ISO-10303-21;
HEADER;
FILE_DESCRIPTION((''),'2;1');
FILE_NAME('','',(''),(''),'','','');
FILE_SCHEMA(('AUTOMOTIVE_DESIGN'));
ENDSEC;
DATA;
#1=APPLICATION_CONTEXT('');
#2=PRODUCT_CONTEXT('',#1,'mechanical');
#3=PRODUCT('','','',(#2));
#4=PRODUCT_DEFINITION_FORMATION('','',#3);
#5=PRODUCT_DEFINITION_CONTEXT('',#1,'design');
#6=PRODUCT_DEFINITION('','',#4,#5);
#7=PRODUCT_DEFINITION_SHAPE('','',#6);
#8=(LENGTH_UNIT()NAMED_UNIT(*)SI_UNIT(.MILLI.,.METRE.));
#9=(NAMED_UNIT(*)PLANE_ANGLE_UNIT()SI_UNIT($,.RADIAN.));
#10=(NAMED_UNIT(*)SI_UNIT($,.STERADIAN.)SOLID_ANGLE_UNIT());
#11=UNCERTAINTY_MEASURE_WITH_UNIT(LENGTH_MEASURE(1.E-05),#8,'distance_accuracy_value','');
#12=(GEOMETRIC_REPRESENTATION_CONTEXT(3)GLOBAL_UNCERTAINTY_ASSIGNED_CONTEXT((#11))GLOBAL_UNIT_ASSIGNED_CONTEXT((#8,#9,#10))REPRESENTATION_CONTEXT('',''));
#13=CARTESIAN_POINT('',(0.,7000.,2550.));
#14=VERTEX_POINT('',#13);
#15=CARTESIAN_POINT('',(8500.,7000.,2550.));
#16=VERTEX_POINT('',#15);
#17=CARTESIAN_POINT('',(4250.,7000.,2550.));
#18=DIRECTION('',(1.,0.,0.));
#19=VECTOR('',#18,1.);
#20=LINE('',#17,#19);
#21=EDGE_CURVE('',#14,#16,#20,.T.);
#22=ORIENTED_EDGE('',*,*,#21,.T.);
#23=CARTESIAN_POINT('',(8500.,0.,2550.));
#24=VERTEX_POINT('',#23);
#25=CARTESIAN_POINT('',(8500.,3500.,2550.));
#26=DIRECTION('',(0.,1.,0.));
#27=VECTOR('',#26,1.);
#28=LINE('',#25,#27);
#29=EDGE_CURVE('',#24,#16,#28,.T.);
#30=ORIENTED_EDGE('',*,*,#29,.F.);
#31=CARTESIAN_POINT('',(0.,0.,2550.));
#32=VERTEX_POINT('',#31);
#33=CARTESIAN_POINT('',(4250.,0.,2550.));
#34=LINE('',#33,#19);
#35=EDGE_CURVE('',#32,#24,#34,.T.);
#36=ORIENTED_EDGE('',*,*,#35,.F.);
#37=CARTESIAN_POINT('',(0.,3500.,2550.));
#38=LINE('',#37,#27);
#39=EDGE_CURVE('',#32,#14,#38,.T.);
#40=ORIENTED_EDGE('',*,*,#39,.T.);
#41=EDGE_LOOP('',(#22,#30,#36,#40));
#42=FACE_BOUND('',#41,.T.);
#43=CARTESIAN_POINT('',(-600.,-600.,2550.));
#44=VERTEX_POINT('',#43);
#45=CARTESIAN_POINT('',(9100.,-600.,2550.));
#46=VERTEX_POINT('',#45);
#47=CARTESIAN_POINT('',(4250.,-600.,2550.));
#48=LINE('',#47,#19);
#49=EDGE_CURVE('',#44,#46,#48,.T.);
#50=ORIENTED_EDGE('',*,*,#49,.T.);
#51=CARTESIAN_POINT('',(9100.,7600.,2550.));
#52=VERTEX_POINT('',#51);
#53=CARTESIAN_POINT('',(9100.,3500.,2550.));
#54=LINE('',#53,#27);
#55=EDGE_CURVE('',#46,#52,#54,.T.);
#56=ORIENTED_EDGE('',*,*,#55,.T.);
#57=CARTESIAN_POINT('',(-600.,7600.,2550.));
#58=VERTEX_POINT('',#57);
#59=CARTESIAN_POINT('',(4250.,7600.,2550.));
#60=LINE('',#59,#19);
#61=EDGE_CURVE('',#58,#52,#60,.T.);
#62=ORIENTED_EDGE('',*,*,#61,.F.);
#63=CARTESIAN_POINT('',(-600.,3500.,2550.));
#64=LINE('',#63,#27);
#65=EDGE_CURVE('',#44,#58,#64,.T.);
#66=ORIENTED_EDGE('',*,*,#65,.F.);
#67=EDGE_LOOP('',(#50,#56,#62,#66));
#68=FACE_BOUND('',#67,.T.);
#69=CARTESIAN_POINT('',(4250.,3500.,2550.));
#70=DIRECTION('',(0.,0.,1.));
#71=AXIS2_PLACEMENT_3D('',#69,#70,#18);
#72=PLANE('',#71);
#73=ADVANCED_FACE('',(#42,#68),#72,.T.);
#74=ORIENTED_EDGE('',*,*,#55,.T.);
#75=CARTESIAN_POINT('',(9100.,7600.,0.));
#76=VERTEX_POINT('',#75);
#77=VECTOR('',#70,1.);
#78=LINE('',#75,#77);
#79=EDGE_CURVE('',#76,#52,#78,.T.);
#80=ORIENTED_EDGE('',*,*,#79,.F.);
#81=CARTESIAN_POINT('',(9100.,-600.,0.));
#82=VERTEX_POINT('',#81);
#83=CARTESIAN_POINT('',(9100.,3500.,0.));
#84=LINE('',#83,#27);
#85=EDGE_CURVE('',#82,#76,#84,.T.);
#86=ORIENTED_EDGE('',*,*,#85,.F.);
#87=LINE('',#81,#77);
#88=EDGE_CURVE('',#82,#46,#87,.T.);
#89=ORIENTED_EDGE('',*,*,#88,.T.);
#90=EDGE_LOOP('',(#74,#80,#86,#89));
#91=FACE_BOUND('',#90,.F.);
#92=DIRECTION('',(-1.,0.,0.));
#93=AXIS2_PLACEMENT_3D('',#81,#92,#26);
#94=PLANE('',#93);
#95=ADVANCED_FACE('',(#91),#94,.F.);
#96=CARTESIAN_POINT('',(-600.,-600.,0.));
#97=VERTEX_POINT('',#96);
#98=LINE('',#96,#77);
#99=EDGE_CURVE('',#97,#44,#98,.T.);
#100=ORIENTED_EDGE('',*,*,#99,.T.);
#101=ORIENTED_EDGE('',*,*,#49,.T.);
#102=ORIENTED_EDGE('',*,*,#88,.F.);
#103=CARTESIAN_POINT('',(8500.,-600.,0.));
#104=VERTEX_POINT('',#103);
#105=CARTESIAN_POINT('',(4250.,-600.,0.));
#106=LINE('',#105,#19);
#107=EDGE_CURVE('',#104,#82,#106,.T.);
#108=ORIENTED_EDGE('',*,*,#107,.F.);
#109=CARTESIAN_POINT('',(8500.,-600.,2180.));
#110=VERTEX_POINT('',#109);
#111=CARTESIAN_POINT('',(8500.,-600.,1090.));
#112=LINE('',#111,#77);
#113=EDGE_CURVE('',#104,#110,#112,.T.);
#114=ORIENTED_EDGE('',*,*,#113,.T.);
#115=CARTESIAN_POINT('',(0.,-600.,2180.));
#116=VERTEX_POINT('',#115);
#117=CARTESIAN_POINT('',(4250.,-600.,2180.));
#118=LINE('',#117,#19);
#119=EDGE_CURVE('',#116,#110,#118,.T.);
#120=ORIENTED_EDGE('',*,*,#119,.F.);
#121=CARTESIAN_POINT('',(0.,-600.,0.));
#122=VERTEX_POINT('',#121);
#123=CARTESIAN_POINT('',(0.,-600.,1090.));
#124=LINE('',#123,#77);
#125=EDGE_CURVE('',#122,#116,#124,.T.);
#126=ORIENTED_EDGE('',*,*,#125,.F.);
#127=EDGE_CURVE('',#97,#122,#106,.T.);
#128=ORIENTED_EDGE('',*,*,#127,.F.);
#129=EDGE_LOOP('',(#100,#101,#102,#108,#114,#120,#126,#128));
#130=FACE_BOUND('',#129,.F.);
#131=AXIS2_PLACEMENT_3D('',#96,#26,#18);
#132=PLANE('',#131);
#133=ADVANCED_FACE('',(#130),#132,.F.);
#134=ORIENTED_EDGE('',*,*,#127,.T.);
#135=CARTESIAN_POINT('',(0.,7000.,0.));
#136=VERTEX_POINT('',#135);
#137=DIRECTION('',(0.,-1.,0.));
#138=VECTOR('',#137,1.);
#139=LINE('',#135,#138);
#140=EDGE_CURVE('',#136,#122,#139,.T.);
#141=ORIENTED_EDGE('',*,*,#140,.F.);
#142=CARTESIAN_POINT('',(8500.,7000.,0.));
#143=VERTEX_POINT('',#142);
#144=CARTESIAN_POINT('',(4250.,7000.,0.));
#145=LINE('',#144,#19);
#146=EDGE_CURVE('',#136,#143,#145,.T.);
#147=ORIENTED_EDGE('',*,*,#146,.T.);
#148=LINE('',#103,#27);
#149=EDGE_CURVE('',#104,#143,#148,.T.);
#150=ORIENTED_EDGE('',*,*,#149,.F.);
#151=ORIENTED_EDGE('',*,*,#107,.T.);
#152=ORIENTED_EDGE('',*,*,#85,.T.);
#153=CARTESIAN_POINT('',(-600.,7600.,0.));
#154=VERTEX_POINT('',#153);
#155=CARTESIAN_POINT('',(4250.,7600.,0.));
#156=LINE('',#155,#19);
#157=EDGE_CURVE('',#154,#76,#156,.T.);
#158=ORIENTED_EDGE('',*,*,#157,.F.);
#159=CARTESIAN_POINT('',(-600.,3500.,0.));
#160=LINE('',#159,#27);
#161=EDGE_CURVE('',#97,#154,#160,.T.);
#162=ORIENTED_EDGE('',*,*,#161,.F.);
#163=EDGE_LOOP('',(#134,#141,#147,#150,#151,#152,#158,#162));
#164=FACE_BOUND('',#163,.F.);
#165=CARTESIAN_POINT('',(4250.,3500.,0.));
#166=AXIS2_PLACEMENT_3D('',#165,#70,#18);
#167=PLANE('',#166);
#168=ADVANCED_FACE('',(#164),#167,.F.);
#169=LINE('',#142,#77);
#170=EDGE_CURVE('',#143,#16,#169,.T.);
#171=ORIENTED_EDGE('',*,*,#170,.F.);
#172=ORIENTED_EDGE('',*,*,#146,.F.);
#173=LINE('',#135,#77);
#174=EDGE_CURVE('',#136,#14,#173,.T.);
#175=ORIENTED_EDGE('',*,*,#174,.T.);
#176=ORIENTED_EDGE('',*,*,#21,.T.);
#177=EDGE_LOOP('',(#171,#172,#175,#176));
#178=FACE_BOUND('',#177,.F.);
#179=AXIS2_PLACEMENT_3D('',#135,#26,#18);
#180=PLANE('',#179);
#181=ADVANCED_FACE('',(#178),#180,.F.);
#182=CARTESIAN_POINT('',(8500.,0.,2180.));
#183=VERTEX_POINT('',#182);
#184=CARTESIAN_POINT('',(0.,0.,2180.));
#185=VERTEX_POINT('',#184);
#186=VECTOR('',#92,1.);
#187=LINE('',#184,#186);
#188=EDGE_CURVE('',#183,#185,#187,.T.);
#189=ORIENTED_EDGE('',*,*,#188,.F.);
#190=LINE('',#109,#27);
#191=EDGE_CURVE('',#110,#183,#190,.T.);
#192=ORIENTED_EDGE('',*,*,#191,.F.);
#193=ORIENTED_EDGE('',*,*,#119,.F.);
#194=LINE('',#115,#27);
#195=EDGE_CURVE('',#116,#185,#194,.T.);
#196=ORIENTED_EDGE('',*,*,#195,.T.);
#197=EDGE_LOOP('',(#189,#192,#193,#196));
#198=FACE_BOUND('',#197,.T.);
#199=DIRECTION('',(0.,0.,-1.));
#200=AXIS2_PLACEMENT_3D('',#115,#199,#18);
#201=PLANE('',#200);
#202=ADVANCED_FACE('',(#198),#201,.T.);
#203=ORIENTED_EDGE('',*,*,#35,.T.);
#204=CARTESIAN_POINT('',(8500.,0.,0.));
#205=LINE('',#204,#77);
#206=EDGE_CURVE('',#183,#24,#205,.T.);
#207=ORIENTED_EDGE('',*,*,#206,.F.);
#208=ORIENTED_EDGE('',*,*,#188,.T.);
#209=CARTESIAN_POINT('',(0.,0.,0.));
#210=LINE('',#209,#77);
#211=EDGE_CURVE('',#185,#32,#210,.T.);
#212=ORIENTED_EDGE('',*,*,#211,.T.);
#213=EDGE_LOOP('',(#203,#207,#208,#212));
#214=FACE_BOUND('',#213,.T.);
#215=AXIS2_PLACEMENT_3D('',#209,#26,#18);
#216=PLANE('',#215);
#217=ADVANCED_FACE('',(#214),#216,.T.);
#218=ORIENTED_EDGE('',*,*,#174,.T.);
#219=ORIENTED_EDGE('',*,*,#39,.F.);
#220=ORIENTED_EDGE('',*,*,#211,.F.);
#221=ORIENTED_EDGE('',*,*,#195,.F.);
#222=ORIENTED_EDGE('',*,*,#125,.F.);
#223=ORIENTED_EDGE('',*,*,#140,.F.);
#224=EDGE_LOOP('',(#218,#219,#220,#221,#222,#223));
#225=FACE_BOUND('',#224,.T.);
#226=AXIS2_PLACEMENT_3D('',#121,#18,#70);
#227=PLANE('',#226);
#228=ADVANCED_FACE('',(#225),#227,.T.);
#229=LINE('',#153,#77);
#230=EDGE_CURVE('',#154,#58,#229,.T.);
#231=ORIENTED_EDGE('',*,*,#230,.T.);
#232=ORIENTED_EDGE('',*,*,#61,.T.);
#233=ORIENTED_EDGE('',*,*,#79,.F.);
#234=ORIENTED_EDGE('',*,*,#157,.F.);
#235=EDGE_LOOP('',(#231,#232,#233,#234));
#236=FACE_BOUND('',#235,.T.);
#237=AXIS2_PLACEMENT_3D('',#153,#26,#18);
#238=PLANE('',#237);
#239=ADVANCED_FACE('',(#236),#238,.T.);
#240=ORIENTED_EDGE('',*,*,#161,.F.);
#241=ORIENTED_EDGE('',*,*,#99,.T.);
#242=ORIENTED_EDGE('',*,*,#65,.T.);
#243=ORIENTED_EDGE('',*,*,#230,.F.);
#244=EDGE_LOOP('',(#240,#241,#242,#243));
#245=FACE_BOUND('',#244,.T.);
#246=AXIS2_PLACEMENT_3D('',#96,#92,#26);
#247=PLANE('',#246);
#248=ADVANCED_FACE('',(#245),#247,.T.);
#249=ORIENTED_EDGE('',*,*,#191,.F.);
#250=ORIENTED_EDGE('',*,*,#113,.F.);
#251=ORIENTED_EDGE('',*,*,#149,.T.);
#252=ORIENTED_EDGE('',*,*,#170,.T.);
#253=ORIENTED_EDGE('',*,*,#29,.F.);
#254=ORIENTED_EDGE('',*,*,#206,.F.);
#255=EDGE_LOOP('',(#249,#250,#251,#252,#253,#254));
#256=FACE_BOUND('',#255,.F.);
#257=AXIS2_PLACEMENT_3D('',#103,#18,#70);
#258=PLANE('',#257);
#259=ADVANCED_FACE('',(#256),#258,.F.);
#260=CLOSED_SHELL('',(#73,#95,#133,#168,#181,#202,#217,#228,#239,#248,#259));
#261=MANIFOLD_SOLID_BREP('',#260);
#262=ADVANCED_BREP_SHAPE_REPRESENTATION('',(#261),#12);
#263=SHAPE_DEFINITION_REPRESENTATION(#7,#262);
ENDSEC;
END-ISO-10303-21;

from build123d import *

# Parameters (mm, degrees)
F0_W     = 9700
F0_H     = 8200
F0_W_2   = 8500
F0_H_2   = 7000
F1_DEPTH = 2550
F2_W     = 8500
F2_H     = 2180
F3_DEPTH = 1000


with BuildPart() as f1:
    # F0 (on Top) → F1 (new body)
    with BuildSketch(Plane.XY):
        with Locations((4250, 3500)):
            Rectangle(F0_W, F0_H)
        with Locations((4250, 3500)):
            Rectangle(F0_W_2, F0_H_2, mode=Mode.SUBTRACT)
    extrude(amount=F1_DEPTH)

    # F2 (on face) → F3 (cut)
    with BuildSketch(Plane.XZ.offset(600)):
        with Locations((4250, 1090)):
            Rectangle(F2_W, F2_H)
    extrude(amount=-F3_DEPTH, mode=Mode.SUBTRACT)


solid = f1.part
